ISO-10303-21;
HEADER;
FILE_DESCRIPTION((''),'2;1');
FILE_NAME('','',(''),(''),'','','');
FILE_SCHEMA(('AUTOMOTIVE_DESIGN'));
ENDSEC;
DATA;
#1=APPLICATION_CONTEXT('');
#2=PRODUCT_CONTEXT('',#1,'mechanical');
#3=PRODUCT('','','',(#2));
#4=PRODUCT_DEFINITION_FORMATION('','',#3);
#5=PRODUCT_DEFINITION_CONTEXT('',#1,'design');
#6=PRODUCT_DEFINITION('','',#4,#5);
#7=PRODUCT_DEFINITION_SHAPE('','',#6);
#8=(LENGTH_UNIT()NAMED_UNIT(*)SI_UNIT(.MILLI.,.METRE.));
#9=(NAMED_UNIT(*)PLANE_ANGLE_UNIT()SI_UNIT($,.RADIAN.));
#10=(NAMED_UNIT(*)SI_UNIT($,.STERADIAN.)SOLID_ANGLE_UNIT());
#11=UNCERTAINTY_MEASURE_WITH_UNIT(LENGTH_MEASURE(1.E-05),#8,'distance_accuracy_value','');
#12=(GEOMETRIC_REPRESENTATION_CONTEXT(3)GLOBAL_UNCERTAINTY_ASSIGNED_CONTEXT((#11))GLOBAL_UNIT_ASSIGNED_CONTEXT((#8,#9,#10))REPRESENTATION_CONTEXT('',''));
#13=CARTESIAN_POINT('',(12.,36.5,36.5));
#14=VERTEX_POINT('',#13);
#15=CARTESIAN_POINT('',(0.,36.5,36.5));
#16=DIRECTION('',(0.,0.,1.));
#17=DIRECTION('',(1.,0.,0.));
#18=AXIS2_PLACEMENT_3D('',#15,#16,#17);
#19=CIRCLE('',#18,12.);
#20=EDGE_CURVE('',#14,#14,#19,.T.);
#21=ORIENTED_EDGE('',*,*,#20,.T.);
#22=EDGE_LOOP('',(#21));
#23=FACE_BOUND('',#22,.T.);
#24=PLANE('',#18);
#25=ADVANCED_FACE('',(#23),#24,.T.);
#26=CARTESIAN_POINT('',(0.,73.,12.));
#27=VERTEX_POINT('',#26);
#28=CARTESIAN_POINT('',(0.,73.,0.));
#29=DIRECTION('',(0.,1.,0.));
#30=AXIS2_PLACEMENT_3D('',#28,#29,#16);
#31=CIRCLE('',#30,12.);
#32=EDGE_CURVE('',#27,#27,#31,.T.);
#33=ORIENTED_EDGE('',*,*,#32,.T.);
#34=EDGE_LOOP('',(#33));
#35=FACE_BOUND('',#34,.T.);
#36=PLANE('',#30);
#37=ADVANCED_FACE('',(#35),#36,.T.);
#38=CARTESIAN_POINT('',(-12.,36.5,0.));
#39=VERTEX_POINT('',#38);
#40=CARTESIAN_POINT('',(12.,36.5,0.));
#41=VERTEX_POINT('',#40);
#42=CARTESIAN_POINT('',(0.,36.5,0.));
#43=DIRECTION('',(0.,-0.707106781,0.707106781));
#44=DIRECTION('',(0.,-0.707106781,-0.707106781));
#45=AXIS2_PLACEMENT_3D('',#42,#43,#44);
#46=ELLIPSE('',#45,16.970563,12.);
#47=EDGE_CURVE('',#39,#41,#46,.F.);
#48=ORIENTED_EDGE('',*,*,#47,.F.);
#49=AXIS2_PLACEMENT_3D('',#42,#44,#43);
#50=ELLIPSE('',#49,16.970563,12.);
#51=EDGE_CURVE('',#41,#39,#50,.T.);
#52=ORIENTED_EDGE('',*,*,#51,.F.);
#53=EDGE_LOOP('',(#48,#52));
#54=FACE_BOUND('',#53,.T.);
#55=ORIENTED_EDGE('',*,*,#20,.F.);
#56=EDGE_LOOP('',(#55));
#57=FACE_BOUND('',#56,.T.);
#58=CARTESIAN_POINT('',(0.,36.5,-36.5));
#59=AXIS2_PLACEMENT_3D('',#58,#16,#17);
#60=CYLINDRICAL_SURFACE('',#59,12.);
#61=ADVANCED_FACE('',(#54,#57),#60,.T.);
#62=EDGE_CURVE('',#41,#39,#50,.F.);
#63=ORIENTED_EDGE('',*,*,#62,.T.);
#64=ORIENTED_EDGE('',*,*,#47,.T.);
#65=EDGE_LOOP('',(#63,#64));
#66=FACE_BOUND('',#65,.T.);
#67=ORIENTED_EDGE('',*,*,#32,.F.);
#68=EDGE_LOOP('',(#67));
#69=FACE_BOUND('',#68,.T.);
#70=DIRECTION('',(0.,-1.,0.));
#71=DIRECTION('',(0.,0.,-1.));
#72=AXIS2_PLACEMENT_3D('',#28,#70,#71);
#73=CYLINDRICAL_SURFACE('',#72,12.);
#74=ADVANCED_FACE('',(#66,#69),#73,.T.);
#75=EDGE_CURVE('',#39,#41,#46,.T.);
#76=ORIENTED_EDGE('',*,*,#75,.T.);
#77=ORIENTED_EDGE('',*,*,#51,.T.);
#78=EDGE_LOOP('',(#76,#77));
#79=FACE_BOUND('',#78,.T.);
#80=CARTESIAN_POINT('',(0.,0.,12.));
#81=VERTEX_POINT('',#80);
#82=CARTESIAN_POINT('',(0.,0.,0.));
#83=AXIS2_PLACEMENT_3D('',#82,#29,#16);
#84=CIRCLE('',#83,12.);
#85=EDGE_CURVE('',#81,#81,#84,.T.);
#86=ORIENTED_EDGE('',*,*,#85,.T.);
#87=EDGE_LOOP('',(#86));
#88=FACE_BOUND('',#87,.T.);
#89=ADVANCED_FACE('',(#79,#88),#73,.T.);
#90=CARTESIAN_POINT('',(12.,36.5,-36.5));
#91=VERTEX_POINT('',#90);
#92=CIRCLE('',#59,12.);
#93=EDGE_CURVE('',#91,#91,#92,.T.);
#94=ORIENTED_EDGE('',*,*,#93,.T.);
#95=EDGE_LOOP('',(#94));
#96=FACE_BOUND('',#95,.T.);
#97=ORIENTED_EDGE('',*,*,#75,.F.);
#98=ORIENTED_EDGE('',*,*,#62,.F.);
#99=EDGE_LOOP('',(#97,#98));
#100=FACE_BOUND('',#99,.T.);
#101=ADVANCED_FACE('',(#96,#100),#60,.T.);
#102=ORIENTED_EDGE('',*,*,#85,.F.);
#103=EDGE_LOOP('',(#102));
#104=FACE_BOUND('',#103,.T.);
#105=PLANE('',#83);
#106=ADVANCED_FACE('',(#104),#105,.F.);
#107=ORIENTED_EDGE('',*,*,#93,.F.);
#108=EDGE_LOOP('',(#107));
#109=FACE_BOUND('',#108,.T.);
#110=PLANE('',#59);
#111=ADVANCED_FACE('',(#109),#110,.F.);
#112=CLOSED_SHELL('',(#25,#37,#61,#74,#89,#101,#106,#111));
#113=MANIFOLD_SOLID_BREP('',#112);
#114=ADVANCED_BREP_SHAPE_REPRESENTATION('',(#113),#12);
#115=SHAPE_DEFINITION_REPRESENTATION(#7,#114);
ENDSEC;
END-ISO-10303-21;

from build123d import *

# Parameters (mm, degrees)
SKETCH1_R                = 12
BOSS_EXTRUDE1_DEPTH      = 73
BOSS_EXTRUDE2_DEPTH      = 36.5
BOSS_EXTRUDE2_DEPTH_BACK = 36.5
SKETCH2_R                = 12


with BuildPart() as part:
    # Sketch1 → Boss-Extrude1 (new body)
    with BuildSketch(Plane(origin=(0, 0, 0), x_dir=(1, 0, 0), z_dir=(0, 1, 0))):
        Circle(SKETCH1_R)
    extrude(amount=BOSS_EXTRUDE1_DEPTH)

    # Sketch2 → Boss-Extrude2 (add, two sides: drawn at the far end of the back side and taken through both)
    with BuildSketch(Plane.XY.offset(-BOSS_EXTRUDE2_DEPTH_BACK)):
        with Locations((0, 36.5)):
            Circle(SKETCH2_R)
    extrude(amount=BOSS_EXTRUDE2_DEPTH + BOSS_EXTRUDE2_DEPTH_BACK)


solid = part.part
